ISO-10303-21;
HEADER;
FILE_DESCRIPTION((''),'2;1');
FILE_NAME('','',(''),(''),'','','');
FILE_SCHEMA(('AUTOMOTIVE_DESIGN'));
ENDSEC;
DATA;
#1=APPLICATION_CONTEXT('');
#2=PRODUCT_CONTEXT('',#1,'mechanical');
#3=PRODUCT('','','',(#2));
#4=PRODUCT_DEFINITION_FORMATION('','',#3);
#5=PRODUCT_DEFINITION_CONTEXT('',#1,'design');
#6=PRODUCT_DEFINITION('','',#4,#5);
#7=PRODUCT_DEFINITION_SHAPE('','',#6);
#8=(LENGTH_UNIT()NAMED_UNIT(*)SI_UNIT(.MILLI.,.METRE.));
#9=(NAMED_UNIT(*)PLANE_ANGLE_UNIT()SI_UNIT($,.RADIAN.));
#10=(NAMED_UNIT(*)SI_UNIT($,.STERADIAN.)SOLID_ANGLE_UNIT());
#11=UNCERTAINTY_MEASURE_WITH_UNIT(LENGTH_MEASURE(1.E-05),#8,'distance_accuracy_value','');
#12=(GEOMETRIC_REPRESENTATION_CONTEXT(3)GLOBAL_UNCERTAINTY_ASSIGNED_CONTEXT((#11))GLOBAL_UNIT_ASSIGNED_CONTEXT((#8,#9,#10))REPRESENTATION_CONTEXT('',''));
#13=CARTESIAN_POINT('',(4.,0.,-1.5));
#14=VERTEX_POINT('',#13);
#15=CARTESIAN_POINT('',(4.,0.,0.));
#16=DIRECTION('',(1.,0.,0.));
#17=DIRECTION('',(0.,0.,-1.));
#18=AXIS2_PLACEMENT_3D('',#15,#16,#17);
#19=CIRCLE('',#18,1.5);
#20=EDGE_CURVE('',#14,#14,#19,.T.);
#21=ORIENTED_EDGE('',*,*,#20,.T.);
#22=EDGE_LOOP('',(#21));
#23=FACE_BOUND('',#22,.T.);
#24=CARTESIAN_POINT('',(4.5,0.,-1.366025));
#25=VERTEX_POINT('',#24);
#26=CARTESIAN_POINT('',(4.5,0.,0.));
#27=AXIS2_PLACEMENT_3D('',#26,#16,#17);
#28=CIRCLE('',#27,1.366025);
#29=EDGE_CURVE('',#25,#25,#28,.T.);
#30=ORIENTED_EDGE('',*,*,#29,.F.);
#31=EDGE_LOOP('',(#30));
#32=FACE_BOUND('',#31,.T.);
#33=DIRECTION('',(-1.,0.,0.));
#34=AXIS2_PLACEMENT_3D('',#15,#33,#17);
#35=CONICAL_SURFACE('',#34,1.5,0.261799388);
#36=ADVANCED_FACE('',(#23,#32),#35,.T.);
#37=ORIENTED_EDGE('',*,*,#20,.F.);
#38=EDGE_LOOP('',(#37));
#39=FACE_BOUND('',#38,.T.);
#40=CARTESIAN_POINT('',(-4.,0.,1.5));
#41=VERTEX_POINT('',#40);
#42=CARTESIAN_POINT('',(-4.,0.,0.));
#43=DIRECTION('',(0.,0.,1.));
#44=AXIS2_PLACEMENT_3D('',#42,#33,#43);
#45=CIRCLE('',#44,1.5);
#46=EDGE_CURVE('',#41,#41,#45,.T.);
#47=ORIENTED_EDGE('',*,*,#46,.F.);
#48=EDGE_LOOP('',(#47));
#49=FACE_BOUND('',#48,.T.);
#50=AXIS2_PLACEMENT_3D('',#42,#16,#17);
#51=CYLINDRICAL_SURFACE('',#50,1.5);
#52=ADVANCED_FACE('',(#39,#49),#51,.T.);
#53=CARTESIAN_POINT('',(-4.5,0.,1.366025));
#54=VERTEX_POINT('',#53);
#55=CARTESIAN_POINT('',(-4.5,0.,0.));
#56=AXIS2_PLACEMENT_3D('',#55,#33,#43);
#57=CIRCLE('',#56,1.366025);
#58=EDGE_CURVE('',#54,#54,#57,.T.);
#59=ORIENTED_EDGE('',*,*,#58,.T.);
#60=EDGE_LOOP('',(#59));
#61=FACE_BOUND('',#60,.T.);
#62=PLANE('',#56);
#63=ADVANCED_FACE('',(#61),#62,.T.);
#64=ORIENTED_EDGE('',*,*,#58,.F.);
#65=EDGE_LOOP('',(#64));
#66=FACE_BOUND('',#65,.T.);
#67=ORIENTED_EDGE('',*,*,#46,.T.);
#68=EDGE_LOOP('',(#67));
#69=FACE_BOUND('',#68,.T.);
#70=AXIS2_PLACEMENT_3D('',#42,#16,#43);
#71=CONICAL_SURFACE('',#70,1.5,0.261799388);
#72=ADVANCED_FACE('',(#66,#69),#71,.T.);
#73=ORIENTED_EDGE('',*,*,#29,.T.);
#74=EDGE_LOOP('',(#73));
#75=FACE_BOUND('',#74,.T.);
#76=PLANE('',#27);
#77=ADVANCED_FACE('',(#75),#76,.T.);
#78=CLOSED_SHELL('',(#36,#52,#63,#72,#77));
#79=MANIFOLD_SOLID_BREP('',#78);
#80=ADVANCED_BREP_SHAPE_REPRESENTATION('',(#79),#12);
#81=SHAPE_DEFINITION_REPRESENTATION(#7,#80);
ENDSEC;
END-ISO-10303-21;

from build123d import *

# Parameters (mm, degrees)
EXTRUDE1_DEPTH      = 4
EXTRUDE1_DEPTH_BACK = 4
SKETCH2_R           = 1.5
SKETCH3_R           = 1.5
EXTRUDE2_DEPTH      = 0.5
EXTRUDE2_TAPER      = 15
SKETCH4_R           = 1.5
EXTRUDE3_DEPTH      = 0.5
EXTRUDE3_TAPER      = 15


with BuildPart() as part:
    # Sketch2 → Extrude1 (new, two sides: drawn at the far end of the back side and taken through both)
    with BuildSketch(Plane(origin=(0, 0, 0), x_dir=(0, 0, -1), z_dir=(1, 0, 0)).offset(-EXTRUDE1_DEPTH_BACK)):
        Circle(SKETCH2_R)
    extrude(amount=EXTRUDE1_DEPTH + EXTRUDE1_DEPTH_BACK)

    # Sketch3 → Extrude2 (add)
    with BuildSketch(Plane(origin=(4, 0, 0), x_dir=(0, 0, -1), z_dir=(1, 0, 0))):
        Circle(SKETCH3_R)
    extrude(amount=EXTRUDE2_DEPTH, taper=EXTRUDE2_TAPER)

    # Sketch4 → Extrude3 (add)
    with BuildSketch(Plane.ZY.offset(4)):
        with Locations(Location((0, 0, 0), (0, 0, 180))):
            Circle(SKETCH4_R)
    extrude(amount=EXTRUDE3_DEPTH, taper=EXTRUDE3_TAPER)


solid = part.part
